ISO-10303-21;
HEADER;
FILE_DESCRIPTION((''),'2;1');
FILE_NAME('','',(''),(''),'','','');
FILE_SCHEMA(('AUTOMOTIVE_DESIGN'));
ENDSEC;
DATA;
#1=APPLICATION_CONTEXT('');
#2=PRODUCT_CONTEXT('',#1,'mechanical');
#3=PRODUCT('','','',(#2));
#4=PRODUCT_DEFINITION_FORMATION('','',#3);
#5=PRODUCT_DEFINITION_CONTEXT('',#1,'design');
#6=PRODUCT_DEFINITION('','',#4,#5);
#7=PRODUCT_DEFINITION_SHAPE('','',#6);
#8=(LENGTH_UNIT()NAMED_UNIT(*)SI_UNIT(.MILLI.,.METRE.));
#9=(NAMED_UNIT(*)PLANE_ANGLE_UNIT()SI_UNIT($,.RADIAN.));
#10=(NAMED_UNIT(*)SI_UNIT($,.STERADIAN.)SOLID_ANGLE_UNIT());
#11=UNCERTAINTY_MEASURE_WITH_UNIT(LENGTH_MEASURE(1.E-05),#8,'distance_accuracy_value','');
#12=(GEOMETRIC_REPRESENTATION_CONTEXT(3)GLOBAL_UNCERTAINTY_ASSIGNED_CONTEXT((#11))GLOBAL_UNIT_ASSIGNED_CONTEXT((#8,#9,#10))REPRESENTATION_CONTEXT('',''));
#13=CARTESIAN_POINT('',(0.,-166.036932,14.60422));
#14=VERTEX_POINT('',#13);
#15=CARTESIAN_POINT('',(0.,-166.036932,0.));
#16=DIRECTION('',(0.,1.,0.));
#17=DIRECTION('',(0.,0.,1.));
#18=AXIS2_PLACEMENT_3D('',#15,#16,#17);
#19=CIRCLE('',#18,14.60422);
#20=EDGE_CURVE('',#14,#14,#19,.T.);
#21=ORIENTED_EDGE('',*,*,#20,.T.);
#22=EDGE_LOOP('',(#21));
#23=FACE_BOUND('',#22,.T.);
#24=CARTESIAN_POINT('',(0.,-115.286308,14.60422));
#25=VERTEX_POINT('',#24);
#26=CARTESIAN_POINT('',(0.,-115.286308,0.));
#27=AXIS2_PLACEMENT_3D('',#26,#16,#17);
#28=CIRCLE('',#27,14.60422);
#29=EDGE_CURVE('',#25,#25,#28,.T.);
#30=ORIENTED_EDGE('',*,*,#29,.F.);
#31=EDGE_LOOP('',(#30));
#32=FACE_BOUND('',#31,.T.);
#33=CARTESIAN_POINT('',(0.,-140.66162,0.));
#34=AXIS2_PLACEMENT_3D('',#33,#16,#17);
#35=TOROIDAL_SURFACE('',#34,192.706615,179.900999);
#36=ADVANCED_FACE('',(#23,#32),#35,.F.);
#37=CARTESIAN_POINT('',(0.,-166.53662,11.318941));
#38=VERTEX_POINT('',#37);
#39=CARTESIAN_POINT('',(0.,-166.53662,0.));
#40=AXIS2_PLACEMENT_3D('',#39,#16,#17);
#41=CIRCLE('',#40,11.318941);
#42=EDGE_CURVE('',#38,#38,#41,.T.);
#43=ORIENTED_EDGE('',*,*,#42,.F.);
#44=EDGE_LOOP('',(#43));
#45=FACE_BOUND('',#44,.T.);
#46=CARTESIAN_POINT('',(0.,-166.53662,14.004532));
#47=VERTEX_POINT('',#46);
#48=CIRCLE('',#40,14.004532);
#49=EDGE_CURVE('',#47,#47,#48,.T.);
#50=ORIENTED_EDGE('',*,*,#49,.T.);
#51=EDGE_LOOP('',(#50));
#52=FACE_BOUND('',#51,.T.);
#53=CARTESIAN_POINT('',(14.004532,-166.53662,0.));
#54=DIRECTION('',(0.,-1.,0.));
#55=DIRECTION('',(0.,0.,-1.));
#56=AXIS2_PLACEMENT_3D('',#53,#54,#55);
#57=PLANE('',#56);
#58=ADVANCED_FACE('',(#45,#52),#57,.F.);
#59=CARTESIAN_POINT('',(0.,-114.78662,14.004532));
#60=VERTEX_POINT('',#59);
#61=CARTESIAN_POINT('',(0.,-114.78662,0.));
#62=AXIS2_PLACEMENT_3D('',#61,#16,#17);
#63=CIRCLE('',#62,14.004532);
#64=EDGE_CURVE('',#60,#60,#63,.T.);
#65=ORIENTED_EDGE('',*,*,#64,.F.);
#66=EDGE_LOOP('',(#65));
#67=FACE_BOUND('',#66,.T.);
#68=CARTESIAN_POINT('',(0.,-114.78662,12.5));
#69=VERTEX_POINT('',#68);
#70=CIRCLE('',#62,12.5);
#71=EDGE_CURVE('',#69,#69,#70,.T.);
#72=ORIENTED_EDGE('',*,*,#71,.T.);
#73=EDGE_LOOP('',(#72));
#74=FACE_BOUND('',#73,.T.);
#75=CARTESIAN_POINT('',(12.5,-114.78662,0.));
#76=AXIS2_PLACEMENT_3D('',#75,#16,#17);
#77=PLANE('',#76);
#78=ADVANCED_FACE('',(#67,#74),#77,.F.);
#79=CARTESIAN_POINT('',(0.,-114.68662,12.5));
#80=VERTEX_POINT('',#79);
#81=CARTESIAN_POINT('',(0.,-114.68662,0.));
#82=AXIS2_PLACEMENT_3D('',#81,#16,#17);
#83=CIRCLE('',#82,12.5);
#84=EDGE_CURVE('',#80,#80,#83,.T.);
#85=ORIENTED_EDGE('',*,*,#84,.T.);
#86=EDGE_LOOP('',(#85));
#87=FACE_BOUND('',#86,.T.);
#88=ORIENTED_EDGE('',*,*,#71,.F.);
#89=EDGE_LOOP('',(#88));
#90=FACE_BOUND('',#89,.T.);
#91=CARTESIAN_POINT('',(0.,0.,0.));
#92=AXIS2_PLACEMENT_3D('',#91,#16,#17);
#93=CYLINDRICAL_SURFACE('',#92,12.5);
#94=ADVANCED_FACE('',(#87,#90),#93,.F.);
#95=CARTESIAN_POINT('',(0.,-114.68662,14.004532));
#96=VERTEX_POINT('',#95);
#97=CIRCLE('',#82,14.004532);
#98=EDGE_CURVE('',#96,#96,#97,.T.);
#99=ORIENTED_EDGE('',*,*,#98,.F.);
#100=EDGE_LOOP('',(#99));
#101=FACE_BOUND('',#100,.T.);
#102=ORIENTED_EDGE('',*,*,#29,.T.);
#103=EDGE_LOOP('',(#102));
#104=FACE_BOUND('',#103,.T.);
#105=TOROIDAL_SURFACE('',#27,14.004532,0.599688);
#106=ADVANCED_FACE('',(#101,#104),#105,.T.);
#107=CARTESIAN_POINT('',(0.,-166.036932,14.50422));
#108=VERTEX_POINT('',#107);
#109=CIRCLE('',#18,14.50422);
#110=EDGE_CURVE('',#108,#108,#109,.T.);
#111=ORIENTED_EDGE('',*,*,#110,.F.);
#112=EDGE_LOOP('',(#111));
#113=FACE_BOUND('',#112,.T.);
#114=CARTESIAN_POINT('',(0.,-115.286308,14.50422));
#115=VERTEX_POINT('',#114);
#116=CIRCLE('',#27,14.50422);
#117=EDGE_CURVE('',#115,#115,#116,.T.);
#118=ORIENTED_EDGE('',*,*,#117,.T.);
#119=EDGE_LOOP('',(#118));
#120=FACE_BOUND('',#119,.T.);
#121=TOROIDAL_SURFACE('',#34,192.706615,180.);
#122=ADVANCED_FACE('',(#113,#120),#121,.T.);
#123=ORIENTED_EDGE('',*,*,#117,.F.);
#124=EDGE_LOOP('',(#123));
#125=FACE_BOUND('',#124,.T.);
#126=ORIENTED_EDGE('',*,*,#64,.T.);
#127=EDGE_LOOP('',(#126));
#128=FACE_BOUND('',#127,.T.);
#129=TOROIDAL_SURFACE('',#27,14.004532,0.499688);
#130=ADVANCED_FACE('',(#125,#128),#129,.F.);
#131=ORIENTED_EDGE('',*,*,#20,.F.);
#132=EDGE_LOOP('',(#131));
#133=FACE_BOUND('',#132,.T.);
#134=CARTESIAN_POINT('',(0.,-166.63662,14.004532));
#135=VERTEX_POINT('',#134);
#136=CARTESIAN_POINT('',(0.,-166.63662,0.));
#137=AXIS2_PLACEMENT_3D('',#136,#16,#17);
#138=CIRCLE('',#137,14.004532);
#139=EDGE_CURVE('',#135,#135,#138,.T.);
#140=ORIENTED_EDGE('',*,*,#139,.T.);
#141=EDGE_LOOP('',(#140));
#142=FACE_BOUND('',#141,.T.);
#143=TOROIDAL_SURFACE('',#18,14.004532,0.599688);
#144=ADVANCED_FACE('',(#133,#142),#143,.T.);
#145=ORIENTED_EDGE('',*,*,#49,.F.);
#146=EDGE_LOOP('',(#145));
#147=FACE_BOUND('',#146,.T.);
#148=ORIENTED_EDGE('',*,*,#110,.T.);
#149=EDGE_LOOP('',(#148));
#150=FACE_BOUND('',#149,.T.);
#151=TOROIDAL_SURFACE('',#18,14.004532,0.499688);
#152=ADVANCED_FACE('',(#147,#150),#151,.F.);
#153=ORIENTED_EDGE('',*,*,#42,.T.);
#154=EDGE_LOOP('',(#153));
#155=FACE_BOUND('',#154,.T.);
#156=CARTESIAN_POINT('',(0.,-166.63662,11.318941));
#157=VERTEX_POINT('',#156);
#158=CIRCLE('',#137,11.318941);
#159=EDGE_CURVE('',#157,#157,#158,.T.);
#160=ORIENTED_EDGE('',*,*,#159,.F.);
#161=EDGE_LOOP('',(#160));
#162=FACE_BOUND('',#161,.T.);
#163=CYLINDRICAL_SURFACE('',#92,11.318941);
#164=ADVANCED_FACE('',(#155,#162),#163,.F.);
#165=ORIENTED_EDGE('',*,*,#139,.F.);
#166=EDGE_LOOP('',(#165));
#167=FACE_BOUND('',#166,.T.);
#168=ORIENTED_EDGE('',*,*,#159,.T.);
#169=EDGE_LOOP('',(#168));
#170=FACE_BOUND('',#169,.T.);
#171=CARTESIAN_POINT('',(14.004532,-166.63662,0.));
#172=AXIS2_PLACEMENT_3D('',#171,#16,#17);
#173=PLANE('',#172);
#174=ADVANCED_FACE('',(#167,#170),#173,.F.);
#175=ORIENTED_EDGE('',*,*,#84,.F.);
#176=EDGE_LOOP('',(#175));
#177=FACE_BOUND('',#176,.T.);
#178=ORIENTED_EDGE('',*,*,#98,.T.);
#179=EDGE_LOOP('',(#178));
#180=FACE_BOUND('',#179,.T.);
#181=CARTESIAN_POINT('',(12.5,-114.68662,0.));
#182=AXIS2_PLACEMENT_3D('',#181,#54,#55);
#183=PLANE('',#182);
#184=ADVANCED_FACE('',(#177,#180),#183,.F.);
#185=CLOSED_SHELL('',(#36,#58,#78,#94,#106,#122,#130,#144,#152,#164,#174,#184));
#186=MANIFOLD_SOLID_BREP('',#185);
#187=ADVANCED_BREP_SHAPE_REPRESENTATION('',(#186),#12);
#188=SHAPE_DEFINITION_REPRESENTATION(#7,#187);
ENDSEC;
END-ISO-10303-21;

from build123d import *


with BuildPart() as part:
    # Sketch1 → Revolve1 (revolve)
    with BuildSketch(Plane.XY, mode=Mode.PRIVATE) as revolve1_sk:
        with BuildLine():
            Line((12.5, -114.686619696), (12.5, -114.786619696))
            Line((12.5, -114.786619696), (14.004531695, -114.786619696))
            ThreePointArc((14.004531695, -114.786619696), (14.357864572, -114.932974966), (14.504219842, -115.286307843))
            ThreePointArc((14.504219842, -115.286307843), (12.706614743, -140.661619696), (14.504219842, -166.036931549))
            ThreePointArc((14.504219842, -166.036931549), (14.357864572, -166.390264426), (14.004531695, -166.536619696))
            Line((14.004531695, -166.536619696), (11.318941473, -166.536619696))
            Line((11.318941473, -166.536619696), (11.318941473, -166.636619696))
            Line((11.318941473, -166.636619696), (14.004531695, -166.636619696))
            ThreePointArc((14.004531695, -166.636619696), (14.42857525, -166.460975104), (14.604219842, -166.036931549))
            ThreePointArc((14.604219842, -166.036931549), (12.805615521, -140.661619696), (14.604219842, -115.286307843))
            ThreePointArc((14.604219842, -115.286307843), (14.42857525, -114.862264288), (14.004531695, -114.686619696))
            Line((14.004531695, -114.686619696), (12.5, -114.686619696))
        make_face()
    revolve(revolve1_sk.sketch.rotate(Axis((0, 0, 0), (0, -1, 0)), 90), axis=Axis((0, 0, 0), (0, -1, 0)))


solid = part.part
